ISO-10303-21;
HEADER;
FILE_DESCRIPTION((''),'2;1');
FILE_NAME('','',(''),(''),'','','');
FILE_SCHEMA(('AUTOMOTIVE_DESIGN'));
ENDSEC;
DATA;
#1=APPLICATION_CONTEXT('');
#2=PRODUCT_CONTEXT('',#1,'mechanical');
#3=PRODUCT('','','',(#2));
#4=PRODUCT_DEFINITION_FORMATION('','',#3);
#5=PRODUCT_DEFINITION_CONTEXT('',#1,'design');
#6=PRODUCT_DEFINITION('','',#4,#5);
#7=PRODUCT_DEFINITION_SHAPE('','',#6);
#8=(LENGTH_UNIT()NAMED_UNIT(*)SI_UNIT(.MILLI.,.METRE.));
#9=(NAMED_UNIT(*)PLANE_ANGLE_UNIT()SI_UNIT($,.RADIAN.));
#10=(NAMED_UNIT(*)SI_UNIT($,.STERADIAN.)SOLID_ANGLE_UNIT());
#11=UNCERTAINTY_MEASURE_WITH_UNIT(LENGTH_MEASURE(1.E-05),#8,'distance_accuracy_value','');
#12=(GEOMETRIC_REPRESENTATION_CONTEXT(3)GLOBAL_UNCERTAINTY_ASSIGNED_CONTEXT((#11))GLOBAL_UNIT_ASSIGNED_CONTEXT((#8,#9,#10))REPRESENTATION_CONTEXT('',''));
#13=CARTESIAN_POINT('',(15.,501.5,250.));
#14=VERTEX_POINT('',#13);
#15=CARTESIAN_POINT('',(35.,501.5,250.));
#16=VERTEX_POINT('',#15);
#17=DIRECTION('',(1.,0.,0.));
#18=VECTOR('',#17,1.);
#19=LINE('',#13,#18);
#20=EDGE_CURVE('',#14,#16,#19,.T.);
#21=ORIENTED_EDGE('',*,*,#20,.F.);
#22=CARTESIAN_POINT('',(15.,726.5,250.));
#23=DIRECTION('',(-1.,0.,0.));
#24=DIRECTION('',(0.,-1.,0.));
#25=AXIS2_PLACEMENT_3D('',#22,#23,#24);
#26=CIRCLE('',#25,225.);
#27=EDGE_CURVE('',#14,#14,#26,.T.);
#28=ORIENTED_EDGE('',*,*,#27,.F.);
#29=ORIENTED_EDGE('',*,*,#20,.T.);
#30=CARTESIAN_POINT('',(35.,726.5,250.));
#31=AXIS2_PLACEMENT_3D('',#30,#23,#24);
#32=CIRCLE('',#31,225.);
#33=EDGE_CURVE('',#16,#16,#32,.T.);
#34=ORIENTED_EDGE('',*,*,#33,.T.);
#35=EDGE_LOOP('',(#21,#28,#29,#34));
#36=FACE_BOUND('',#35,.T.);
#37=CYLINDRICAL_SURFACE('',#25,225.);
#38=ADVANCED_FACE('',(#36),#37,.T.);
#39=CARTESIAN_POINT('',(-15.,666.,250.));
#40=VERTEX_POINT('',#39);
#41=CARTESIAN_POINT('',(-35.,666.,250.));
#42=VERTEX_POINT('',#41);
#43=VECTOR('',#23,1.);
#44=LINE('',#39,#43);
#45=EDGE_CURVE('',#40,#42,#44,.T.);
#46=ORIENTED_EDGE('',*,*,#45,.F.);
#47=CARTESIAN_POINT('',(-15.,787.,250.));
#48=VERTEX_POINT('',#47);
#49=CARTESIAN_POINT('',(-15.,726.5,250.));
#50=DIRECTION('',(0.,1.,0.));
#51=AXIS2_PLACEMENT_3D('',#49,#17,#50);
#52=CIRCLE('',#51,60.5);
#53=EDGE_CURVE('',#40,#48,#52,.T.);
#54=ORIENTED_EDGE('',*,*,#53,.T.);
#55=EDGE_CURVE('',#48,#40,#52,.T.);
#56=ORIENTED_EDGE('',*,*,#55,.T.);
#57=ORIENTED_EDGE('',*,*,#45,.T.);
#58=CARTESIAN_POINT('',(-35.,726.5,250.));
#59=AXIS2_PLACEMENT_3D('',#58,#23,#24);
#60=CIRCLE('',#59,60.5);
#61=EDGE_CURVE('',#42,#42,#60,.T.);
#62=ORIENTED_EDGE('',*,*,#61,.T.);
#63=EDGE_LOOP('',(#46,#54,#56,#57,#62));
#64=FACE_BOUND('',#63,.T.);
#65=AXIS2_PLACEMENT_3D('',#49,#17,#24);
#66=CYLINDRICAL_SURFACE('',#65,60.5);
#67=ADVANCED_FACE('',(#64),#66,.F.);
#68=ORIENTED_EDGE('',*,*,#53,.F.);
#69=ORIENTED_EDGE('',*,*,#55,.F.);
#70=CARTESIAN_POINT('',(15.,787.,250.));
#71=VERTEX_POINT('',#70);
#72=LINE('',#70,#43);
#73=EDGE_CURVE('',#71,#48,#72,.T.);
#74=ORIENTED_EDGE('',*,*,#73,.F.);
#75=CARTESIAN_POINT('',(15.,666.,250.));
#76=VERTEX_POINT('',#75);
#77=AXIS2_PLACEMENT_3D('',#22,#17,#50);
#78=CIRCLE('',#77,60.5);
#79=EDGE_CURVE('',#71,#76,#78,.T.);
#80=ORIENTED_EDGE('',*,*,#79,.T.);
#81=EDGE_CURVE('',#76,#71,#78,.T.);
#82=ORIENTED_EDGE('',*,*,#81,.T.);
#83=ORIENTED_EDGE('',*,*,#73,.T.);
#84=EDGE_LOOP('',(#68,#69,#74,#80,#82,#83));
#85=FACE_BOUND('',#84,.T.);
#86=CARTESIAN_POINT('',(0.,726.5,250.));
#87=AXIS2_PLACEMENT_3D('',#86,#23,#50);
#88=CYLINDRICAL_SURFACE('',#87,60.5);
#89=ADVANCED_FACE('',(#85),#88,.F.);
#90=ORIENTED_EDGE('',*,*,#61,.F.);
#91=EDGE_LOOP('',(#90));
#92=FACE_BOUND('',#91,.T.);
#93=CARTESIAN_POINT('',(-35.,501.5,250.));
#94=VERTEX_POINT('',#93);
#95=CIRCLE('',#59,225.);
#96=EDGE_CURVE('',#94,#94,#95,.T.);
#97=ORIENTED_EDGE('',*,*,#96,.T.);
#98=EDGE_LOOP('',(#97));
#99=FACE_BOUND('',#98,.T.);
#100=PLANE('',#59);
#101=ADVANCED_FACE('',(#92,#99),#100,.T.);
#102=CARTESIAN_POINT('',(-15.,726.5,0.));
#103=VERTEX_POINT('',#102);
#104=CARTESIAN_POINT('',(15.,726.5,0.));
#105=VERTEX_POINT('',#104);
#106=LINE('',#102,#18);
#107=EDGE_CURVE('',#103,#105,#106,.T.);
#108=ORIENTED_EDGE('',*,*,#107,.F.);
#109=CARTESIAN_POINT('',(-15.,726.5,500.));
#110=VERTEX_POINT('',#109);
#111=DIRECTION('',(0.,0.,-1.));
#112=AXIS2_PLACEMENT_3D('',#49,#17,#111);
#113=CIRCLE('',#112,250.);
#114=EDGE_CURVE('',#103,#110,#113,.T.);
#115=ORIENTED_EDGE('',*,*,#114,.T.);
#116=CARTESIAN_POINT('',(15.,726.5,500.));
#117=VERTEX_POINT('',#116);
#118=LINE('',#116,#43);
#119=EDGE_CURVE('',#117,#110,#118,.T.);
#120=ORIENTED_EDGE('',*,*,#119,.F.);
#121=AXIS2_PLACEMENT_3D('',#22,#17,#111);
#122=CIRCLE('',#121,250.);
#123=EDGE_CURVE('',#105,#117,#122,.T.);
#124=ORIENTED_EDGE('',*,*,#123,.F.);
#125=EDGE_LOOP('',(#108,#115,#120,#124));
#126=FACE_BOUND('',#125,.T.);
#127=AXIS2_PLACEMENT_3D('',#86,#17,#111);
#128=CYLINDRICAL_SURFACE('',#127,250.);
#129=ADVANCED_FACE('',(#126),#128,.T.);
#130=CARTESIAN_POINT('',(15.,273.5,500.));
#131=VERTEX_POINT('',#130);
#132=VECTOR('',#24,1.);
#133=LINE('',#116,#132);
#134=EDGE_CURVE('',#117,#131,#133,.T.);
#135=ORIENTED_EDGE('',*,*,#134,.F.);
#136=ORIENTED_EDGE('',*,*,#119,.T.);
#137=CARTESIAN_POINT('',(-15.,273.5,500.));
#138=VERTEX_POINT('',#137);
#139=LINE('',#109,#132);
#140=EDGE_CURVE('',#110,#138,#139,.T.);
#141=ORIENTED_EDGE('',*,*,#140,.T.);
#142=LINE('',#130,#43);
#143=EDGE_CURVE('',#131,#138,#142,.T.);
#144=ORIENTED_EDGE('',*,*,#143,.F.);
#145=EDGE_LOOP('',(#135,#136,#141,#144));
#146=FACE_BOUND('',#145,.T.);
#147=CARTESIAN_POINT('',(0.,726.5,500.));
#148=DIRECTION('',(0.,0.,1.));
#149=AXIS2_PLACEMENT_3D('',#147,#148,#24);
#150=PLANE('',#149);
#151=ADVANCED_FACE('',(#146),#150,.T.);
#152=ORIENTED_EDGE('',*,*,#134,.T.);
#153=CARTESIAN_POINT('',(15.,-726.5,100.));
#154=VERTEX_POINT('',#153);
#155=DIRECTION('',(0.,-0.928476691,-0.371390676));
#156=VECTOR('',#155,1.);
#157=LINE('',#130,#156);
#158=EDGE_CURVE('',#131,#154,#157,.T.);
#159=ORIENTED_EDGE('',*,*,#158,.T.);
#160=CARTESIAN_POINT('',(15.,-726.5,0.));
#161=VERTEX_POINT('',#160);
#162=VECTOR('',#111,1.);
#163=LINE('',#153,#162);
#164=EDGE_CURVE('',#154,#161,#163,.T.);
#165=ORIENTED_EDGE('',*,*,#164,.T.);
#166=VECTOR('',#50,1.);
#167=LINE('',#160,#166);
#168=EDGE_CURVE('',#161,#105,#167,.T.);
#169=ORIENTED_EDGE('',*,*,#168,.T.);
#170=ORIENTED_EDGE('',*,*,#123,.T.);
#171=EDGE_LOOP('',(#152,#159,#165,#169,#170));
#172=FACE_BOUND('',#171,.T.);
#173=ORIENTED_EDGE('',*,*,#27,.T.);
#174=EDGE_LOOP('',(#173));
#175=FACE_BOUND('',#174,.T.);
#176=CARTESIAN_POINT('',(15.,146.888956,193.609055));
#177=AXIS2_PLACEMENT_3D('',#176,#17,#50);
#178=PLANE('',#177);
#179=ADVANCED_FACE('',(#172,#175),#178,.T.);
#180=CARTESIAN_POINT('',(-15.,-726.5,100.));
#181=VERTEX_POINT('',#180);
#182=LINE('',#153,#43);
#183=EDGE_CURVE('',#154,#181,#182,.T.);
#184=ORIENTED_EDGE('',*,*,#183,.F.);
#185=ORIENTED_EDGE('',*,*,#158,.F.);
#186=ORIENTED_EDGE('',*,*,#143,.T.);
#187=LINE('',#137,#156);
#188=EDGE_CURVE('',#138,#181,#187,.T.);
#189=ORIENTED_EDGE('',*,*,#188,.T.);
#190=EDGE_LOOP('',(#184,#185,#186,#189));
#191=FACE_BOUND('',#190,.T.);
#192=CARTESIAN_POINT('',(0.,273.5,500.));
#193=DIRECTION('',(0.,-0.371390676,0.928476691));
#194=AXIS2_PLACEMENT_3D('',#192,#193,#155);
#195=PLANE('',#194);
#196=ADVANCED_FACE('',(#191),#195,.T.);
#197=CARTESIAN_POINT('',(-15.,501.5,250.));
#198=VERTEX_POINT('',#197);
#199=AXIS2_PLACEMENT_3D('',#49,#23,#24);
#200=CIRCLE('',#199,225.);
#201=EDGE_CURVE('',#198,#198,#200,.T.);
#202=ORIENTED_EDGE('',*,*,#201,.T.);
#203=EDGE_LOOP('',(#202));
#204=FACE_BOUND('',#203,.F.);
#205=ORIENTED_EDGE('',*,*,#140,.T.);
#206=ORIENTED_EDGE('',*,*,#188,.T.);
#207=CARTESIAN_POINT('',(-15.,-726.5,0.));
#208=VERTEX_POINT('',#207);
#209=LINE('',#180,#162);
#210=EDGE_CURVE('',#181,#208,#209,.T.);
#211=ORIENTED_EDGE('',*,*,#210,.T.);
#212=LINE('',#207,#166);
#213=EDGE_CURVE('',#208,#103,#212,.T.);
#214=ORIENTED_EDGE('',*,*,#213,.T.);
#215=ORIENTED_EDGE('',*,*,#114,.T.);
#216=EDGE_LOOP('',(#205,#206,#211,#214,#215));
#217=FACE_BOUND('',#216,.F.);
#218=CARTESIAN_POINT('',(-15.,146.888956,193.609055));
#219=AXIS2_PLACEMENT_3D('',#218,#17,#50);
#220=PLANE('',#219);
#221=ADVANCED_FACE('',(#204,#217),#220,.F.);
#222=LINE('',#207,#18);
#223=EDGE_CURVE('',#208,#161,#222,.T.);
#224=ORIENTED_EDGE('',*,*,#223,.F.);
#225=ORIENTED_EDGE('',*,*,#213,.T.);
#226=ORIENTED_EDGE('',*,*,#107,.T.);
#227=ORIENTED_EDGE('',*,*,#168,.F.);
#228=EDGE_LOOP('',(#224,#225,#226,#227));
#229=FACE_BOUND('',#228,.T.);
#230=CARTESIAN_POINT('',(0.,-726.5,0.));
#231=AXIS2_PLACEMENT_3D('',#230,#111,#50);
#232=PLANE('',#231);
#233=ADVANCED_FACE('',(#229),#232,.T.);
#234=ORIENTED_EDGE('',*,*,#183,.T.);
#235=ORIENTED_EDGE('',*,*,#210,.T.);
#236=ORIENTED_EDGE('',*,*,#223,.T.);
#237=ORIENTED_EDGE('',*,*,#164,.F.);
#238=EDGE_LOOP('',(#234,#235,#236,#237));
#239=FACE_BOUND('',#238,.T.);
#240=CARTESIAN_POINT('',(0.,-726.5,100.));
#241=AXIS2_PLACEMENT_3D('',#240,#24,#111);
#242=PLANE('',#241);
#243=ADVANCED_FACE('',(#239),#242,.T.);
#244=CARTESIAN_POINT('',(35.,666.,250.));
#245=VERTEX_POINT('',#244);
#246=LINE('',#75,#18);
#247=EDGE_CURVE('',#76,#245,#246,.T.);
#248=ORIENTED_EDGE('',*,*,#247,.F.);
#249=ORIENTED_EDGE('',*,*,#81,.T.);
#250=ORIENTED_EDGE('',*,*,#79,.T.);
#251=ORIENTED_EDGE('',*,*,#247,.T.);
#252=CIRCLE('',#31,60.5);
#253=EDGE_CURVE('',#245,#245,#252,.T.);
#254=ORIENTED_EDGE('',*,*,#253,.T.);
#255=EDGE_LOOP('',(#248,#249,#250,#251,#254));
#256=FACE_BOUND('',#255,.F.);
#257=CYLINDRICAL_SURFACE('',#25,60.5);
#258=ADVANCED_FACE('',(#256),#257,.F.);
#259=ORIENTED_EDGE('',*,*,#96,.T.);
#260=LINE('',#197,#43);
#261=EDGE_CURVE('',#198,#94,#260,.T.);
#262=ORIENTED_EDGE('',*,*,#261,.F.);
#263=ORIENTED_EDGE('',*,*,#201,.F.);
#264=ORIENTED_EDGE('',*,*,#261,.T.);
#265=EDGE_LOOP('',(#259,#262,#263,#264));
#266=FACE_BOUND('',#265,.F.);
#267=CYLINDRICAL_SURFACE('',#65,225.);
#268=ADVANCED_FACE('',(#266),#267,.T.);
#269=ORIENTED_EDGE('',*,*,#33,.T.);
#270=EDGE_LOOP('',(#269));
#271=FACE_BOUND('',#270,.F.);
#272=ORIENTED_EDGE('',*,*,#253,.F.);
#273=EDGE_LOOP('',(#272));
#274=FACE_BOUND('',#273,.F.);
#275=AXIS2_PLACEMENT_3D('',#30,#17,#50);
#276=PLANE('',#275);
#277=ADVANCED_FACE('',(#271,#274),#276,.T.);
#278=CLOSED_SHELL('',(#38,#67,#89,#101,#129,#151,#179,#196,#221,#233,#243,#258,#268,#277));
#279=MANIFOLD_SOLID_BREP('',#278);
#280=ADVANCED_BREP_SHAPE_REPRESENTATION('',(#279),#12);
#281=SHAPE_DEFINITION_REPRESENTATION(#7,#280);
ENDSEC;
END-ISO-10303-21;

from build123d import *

# Parameters (mm, degrees)
F0_R     = 225
F0_R_2   = 60.5
F1_DEPTH = 15
F2_R     = 225
F2_R_2   = 60.5
F3_DEPTH = 20


with BuildPart() as f1:
    # F0 (on Right) → F1 (new body, symmetric)
    with BuildSketch(Plane.YZ):
        with BuildLine():
            Line((-726.5, 100), (-726.5, 0))
            Line((-726.5, 0), (726.5, 0))
            ThreePointArc((726.5, 0), (976.5, 250), (726.5, 500))
            Line((726.5, 500), (273.5, 500))
            Line((273.5, 500), (-726.5, 100))
        make_face()
        with Locations((726.5, 250)):
            Circle(F0_R, mode=Mode.SUBTRACT)
        with Locations((726.5, 250)):
            Circle(F0_R)
        with Locations((726.5, 250)):
            Circle(F0_R_2, mode=Mode.SUBTRACT)
    extrude(amount=F1_DEPTH, both=True)

    # F2 (on face) → F3 (join)
    with BuildSketch(Plane(origin=(-15, 0, 0), x_dir=(0, -1, 0), z_dir=(-1, 0, 0))):
        with Locations((-726.5, 250)):
            Circle(F2_R)
        with Locations((-726.5, 250)):
            Circle(F2_R_2, mode=Mode.SUBTRACT)
    extrude(amount=F3_DEPTH)

    # F4: F1 across plane


with BuildPart() as f1_1:
    add(f1.part)
    add(f1.part.mirror(Plane.YZ))


solid = f1_1.part
